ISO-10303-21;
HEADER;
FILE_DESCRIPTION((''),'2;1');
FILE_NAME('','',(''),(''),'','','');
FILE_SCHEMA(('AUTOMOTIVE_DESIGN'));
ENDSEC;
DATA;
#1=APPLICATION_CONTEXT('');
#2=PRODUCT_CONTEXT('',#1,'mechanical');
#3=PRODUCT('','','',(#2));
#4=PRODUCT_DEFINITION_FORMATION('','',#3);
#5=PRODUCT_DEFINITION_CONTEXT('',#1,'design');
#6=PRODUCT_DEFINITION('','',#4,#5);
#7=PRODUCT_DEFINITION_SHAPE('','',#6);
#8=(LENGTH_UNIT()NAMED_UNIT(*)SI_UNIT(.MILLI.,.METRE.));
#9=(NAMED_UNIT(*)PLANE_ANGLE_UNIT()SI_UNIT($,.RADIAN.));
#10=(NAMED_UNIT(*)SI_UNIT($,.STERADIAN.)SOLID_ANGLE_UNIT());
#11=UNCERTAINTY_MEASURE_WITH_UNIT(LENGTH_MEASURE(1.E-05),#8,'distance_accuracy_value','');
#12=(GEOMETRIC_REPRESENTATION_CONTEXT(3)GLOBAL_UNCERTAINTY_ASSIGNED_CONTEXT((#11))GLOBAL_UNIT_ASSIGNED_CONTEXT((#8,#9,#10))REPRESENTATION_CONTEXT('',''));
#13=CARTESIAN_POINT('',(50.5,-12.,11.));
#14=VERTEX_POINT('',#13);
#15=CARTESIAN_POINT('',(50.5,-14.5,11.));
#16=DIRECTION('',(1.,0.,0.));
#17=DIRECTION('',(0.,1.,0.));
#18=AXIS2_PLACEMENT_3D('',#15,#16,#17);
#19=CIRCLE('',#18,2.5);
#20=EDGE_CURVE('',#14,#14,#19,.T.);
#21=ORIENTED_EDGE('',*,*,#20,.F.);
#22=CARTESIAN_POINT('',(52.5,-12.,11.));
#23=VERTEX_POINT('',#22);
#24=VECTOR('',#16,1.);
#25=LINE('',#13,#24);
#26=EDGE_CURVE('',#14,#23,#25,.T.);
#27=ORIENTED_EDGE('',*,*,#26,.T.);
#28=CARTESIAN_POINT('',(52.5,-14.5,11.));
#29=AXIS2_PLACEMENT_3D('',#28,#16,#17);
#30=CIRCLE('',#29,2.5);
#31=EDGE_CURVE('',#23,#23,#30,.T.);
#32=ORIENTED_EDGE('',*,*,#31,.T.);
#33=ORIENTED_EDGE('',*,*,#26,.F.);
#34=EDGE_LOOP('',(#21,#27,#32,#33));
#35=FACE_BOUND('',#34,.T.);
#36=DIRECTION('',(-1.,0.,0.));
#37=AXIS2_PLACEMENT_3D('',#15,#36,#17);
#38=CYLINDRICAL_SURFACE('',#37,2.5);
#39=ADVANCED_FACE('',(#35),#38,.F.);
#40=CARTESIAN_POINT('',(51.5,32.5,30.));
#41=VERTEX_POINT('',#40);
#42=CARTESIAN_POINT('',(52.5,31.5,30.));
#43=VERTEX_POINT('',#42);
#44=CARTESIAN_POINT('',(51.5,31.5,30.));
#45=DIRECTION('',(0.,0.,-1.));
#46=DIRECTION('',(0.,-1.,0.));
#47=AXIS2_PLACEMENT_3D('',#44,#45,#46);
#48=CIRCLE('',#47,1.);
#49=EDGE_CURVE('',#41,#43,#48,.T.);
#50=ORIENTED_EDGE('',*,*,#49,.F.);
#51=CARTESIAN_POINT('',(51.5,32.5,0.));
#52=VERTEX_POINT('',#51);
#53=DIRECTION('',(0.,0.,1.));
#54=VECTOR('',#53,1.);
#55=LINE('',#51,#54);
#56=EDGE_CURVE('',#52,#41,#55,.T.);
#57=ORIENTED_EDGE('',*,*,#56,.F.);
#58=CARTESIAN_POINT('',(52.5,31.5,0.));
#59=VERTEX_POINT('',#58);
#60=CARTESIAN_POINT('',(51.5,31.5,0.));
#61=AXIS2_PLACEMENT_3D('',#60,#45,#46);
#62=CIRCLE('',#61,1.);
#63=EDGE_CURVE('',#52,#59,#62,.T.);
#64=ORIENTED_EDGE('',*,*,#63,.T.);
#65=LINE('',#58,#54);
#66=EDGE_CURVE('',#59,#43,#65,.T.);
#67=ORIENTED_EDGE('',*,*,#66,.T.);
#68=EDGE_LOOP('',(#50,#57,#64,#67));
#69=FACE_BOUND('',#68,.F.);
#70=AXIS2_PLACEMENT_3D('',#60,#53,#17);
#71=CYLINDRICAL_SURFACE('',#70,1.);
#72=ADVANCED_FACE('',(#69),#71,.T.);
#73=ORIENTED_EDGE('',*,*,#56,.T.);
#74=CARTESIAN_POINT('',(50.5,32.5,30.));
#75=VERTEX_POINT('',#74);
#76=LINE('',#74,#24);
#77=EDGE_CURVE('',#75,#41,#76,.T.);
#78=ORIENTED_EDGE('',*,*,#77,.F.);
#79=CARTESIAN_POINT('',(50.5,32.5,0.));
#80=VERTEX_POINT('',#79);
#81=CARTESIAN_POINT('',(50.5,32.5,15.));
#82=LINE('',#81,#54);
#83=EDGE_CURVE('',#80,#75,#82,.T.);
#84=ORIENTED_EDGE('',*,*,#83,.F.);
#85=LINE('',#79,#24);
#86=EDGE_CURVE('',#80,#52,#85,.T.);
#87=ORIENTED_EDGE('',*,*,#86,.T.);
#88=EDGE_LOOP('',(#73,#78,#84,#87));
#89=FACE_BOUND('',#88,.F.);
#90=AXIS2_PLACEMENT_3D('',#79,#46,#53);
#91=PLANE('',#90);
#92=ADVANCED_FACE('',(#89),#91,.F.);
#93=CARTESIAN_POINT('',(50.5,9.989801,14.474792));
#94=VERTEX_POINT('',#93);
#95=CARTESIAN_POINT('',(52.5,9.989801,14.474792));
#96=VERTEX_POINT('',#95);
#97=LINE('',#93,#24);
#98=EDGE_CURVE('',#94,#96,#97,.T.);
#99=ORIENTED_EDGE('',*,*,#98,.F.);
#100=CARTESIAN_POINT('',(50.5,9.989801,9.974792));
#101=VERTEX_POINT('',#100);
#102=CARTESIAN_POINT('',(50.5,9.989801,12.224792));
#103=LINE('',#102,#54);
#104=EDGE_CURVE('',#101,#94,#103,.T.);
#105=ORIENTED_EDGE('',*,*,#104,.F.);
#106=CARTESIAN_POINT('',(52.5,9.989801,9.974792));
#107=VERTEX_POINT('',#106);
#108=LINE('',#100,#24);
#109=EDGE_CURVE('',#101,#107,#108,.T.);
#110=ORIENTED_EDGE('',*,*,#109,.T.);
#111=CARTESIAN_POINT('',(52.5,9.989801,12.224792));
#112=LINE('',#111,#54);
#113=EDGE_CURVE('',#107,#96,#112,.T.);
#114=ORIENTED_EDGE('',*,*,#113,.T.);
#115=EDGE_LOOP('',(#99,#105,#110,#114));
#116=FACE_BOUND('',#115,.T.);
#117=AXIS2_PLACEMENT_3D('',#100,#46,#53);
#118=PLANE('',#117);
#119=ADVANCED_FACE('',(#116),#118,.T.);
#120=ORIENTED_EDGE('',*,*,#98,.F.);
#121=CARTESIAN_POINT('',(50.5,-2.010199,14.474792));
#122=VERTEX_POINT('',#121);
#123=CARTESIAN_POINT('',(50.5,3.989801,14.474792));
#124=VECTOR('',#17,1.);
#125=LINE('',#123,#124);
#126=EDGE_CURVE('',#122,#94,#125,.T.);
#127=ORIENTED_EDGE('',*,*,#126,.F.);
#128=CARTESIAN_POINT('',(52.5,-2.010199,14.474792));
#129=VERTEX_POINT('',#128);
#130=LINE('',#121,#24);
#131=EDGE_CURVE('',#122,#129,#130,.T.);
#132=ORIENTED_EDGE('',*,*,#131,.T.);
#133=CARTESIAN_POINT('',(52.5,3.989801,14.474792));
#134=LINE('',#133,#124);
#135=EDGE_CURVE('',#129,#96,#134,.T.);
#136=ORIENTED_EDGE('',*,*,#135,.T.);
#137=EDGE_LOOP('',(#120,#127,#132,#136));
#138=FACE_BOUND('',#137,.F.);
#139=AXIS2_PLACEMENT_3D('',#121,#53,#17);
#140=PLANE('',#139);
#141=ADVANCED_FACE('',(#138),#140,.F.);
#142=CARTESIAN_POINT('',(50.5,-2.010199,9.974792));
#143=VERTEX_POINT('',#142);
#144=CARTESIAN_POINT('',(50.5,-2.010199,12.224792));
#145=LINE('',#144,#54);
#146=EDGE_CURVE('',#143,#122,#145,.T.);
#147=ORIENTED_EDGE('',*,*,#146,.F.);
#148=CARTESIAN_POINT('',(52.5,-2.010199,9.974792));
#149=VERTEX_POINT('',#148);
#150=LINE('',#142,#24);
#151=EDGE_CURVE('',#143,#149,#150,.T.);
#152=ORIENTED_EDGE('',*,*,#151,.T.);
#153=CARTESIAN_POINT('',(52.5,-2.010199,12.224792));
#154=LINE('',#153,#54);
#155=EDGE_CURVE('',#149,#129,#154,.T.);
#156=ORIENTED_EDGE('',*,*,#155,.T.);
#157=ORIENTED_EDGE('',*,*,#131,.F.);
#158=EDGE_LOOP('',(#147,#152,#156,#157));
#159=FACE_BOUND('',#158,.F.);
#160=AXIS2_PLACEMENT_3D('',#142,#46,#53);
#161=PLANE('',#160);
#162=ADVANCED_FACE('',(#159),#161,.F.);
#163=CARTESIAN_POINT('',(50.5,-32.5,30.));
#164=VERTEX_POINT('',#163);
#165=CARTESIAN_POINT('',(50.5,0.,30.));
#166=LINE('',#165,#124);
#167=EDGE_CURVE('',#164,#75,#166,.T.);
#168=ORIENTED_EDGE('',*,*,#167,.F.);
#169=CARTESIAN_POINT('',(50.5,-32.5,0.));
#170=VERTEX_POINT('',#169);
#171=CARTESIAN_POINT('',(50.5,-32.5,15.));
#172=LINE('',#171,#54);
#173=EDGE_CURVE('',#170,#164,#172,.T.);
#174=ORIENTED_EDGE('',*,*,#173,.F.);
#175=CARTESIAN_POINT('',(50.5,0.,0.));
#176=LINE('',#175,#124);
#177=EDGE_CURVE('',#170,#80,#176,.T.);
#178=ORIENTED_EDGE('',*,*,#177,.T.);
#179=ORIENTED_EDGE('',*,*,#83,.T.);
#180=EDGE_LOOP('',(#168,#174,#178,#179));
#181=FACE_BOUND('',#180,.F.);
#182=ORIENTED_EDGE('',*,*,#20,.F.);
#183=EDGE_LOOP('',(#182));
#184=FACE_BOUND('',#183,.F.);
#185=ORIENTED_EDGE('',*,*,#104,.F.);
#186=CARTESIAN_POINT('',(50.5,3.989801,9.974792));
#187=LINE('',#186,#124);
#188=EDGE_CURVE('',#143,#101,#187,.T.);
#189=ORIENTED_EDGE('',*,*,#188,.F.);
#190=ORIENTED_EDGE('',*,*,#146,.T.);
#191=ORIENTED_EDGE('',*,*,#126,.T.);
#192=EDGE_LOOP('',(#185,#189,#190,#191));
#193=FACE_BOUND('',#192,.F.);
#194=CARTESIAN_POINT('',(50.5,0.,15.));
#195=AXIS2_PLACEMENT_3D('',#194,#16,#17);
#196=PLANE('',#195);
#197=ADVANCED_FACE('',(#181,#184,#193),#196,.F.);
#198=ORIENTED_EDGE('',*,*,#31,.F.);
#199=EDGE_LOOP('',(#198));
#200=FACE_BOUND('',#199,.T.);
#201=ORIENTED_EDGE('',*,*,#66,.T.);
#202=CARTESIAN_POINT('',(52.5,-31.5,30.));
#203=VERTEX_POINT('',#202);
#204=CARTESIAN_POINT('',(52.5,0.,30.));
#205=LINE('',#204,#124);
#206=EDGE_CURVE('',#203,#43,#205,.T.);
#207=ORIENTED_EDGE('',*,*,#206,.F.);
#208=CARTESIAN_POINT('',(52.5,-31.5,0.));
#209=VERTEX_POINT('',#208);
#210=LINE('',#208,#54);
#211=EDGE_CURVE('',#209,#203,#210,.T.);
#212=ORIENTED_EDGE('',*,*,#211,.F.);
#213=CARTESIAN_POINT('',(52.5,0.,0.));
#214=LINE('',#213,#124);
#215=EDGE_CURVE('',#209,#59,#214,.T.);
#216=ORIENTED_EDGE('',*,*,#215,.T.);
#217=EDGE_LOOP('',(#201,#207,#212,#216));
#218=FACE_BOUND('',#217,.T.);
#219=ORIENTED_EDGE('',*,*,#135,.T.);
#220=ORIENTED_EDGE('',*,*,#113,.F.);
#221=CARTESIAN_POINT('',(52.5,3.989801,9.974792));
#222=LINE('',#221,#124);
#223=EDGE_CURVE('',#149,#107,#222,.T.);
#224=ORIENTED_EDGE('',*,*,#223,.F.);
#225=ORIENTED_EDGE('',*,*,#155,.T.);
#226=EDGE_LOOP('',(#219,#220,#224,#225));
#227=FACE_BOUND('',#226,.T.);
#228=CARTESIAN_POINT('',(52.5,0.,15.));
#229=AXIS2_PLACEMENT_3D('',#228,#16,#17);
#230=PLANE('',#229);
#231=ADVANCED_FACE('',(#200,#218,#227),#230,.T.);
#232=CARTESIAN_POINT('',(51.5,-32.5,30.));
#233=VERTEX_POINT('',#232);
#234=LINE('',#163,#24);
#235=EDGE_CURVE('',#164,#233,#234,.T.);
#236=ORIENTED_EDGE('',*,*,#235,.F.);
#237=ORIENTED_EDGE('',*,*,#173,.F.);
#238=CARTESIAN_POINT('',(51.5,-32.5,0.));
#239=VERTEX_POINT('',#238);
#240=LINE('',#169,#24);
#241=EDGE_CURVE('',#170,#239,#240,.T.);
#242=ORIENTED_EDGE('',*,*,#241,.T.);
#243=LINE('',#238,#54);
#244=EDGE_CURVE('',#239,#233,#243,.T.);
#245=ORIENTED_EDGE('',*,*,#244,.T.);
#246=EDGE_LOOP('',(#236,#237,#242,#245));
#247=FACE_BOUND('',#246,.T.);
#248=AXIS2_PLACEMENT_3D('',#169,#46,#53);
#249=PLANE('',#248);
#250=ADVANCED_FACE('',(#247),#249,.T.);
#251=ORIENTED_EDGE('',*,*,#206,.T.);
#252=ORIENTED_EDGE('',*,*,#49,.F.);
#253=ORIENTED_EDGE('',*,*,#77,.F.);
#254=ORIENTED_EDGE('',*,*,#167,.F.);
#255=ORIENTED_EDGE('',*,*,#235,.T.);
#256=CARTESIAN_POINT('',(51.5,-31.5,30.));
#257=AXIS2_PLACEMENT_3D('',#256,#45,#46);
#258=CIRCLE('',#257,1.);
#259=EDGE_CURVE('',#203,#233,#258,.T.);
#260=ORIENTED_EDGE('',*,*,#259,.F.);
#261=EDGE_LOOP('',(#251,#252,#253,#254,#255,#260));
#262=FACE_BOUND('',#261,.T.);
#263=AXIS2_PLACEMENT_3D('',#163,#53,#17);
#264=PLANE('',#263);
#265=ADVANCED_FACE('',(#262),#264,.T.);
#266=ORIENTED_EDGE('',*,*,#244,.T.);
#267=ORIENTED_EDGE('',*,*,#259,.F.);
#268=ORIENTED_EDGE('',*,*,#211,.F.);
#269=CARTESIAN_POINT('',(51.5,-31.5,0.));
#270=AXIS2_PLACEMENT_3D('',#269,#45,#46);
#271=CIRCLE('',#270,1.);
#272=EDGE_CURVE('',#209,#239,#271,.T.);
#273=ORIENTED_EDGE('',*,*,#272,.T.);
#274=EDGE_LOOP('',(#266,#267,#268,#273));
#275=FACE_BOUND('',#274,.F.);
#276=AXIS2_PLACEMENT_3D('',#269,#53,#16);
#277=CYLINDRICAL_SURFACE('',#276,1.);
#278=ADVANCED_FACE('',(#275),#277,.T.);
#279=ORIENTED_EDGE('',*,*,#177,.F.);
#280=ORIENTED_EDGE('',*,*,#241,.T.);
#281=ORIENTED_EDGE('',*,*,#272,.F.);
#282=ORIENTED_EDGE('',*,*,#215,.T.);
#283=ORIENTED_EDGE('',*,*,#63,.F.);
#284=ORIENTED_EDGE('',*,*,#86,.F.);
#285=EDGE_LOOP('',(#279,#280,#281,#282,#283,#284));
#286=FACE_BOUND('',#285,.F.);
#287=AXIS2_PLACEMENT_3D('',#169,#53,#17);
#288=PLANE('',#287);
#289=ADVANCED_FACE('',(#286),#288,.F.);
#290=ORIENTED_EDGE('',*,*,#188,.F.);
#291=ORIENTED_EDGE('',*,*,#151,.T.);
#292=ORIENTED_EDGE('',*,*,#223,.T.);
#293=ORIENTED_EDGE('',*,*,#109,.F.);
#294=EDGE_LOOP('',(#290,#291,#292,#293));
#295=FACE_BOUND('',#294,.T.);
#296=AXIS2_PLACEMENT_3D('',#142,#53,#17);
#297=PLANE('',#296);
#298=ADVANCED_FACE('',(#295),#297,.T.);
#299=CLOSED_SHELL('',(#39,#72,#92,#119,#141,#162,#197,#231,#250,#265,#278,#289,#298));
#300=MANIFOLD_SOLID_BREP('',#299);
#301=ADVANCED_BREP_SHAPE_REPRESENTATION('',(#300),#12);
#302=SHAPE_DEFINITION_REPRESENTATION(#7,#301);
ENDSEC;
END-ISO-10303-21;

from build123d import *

# Parameters (mm, degrees)
SKETCH004_W   = 65
SKETCH004_H   = 30
SKETCH004_R   = 2.5
SKETCH004_W_2 = 12
SKETCH004_H_2 = 4.5
PAD003_DEPTH  = 2
FILLET004_R   = 1
FILLET005_R   = 1


with BuildPart() as part:
    # Sketch004 → Pad003 (new body)
    with BuildSketch(Plane.YZ):
        with Locations((0, 15)):
            Rectangle(SKETCH004_W, SKETCH004_H)
        with Locations((-14.5, 11)):
            Circle(SKETCH004_R, mode=Mode.SUBTRACT)
        with Locations((3.989801, 12.224792)):
            Rectangle(SKETCH004_W_2, SKETCH004_H_2, mode=Mode.SUBTRACT)
    extrude(amount=PAD003_DEPTH)

    # Fillet004
    fillet004_edges = [part.edges().sort_by_distance(p)[0] for p in [
        (2, 32.5, 15),
    ]]
    fillet(fillet004_edges, radius=FILLET004_R)

    # Fillet005
    fillet005_edges = [part.edges().sort_by_distance(p)[0] for p in [
        (2, -32.5, 15),
    ]]
    fillet(fillet005_edges, radius=FILLET005_R)


with BuildPart() as part_1:
    # Body003 placement: moved
    add(part.part.moved(Location((50.5, 0, 0))))


solid = part_1.part
